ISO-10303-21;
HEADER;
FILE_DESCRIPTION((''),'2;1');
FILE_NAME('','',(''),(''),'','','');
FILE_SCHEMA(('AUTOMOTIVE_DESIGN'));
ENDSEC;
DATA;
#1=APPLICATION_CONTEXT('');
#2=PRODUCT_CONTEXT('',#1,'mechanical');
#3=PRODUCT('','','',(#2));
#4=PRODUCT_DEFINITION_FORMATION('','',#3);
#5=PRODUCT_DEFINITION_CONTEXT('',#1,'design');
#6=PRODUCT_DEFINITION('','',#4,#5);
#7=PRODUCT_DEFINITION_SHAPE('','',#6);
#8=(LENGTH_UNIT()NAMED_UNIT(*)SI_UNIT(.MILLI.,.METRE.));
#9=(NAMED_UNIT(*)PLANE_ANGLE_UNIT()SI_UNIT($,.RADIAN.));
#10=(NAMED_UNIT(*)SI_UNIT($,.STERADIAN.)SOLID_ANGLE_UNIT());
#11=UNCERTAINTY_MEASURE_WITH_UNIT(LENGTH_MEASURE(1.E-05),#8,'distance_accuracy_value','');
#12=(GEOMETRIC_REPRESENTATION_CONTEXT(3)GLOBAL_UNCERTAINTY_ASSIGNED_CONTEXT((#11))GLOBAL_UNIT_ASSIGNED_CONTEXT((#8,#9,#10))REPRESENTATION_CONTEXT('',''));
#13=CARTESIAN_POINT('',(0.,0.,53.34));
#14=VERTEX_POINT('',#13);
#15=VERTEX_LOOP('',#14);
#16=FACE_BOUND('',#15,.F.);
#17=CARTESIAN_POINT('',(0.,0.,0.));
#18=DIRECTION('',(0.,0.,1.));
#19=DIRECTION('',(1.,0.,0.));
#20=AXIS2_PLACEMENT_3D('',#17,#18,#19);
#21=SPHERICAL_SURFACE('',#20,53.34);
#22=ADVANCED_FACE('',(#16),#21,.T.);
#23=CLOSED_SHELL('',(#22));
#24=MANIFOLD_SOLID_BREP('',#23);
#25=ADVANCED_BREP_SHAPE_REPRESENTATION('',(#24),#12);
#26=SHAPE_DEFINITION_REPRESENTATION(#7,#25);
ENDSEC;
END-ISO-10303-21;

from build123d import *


with BuildPart() as f1:
    # F0 (on Front) → F1 (revolve)
    with BuildSketch(Plane.XZ):
        with BuildLine():
            Line((0, -31.282105), (0, -53.34))
            ThreePointArc((0, -53.34), (53.34, 0), (0, 53.34))
            Line((0, 53.34), (0, 30.981317))
            Line((0, 30.981317), (0, -31.282105))
        make_face()
    revolve(axis=Axis((0, 0, 0), (0, 0, -1)))


solid = f1.part
